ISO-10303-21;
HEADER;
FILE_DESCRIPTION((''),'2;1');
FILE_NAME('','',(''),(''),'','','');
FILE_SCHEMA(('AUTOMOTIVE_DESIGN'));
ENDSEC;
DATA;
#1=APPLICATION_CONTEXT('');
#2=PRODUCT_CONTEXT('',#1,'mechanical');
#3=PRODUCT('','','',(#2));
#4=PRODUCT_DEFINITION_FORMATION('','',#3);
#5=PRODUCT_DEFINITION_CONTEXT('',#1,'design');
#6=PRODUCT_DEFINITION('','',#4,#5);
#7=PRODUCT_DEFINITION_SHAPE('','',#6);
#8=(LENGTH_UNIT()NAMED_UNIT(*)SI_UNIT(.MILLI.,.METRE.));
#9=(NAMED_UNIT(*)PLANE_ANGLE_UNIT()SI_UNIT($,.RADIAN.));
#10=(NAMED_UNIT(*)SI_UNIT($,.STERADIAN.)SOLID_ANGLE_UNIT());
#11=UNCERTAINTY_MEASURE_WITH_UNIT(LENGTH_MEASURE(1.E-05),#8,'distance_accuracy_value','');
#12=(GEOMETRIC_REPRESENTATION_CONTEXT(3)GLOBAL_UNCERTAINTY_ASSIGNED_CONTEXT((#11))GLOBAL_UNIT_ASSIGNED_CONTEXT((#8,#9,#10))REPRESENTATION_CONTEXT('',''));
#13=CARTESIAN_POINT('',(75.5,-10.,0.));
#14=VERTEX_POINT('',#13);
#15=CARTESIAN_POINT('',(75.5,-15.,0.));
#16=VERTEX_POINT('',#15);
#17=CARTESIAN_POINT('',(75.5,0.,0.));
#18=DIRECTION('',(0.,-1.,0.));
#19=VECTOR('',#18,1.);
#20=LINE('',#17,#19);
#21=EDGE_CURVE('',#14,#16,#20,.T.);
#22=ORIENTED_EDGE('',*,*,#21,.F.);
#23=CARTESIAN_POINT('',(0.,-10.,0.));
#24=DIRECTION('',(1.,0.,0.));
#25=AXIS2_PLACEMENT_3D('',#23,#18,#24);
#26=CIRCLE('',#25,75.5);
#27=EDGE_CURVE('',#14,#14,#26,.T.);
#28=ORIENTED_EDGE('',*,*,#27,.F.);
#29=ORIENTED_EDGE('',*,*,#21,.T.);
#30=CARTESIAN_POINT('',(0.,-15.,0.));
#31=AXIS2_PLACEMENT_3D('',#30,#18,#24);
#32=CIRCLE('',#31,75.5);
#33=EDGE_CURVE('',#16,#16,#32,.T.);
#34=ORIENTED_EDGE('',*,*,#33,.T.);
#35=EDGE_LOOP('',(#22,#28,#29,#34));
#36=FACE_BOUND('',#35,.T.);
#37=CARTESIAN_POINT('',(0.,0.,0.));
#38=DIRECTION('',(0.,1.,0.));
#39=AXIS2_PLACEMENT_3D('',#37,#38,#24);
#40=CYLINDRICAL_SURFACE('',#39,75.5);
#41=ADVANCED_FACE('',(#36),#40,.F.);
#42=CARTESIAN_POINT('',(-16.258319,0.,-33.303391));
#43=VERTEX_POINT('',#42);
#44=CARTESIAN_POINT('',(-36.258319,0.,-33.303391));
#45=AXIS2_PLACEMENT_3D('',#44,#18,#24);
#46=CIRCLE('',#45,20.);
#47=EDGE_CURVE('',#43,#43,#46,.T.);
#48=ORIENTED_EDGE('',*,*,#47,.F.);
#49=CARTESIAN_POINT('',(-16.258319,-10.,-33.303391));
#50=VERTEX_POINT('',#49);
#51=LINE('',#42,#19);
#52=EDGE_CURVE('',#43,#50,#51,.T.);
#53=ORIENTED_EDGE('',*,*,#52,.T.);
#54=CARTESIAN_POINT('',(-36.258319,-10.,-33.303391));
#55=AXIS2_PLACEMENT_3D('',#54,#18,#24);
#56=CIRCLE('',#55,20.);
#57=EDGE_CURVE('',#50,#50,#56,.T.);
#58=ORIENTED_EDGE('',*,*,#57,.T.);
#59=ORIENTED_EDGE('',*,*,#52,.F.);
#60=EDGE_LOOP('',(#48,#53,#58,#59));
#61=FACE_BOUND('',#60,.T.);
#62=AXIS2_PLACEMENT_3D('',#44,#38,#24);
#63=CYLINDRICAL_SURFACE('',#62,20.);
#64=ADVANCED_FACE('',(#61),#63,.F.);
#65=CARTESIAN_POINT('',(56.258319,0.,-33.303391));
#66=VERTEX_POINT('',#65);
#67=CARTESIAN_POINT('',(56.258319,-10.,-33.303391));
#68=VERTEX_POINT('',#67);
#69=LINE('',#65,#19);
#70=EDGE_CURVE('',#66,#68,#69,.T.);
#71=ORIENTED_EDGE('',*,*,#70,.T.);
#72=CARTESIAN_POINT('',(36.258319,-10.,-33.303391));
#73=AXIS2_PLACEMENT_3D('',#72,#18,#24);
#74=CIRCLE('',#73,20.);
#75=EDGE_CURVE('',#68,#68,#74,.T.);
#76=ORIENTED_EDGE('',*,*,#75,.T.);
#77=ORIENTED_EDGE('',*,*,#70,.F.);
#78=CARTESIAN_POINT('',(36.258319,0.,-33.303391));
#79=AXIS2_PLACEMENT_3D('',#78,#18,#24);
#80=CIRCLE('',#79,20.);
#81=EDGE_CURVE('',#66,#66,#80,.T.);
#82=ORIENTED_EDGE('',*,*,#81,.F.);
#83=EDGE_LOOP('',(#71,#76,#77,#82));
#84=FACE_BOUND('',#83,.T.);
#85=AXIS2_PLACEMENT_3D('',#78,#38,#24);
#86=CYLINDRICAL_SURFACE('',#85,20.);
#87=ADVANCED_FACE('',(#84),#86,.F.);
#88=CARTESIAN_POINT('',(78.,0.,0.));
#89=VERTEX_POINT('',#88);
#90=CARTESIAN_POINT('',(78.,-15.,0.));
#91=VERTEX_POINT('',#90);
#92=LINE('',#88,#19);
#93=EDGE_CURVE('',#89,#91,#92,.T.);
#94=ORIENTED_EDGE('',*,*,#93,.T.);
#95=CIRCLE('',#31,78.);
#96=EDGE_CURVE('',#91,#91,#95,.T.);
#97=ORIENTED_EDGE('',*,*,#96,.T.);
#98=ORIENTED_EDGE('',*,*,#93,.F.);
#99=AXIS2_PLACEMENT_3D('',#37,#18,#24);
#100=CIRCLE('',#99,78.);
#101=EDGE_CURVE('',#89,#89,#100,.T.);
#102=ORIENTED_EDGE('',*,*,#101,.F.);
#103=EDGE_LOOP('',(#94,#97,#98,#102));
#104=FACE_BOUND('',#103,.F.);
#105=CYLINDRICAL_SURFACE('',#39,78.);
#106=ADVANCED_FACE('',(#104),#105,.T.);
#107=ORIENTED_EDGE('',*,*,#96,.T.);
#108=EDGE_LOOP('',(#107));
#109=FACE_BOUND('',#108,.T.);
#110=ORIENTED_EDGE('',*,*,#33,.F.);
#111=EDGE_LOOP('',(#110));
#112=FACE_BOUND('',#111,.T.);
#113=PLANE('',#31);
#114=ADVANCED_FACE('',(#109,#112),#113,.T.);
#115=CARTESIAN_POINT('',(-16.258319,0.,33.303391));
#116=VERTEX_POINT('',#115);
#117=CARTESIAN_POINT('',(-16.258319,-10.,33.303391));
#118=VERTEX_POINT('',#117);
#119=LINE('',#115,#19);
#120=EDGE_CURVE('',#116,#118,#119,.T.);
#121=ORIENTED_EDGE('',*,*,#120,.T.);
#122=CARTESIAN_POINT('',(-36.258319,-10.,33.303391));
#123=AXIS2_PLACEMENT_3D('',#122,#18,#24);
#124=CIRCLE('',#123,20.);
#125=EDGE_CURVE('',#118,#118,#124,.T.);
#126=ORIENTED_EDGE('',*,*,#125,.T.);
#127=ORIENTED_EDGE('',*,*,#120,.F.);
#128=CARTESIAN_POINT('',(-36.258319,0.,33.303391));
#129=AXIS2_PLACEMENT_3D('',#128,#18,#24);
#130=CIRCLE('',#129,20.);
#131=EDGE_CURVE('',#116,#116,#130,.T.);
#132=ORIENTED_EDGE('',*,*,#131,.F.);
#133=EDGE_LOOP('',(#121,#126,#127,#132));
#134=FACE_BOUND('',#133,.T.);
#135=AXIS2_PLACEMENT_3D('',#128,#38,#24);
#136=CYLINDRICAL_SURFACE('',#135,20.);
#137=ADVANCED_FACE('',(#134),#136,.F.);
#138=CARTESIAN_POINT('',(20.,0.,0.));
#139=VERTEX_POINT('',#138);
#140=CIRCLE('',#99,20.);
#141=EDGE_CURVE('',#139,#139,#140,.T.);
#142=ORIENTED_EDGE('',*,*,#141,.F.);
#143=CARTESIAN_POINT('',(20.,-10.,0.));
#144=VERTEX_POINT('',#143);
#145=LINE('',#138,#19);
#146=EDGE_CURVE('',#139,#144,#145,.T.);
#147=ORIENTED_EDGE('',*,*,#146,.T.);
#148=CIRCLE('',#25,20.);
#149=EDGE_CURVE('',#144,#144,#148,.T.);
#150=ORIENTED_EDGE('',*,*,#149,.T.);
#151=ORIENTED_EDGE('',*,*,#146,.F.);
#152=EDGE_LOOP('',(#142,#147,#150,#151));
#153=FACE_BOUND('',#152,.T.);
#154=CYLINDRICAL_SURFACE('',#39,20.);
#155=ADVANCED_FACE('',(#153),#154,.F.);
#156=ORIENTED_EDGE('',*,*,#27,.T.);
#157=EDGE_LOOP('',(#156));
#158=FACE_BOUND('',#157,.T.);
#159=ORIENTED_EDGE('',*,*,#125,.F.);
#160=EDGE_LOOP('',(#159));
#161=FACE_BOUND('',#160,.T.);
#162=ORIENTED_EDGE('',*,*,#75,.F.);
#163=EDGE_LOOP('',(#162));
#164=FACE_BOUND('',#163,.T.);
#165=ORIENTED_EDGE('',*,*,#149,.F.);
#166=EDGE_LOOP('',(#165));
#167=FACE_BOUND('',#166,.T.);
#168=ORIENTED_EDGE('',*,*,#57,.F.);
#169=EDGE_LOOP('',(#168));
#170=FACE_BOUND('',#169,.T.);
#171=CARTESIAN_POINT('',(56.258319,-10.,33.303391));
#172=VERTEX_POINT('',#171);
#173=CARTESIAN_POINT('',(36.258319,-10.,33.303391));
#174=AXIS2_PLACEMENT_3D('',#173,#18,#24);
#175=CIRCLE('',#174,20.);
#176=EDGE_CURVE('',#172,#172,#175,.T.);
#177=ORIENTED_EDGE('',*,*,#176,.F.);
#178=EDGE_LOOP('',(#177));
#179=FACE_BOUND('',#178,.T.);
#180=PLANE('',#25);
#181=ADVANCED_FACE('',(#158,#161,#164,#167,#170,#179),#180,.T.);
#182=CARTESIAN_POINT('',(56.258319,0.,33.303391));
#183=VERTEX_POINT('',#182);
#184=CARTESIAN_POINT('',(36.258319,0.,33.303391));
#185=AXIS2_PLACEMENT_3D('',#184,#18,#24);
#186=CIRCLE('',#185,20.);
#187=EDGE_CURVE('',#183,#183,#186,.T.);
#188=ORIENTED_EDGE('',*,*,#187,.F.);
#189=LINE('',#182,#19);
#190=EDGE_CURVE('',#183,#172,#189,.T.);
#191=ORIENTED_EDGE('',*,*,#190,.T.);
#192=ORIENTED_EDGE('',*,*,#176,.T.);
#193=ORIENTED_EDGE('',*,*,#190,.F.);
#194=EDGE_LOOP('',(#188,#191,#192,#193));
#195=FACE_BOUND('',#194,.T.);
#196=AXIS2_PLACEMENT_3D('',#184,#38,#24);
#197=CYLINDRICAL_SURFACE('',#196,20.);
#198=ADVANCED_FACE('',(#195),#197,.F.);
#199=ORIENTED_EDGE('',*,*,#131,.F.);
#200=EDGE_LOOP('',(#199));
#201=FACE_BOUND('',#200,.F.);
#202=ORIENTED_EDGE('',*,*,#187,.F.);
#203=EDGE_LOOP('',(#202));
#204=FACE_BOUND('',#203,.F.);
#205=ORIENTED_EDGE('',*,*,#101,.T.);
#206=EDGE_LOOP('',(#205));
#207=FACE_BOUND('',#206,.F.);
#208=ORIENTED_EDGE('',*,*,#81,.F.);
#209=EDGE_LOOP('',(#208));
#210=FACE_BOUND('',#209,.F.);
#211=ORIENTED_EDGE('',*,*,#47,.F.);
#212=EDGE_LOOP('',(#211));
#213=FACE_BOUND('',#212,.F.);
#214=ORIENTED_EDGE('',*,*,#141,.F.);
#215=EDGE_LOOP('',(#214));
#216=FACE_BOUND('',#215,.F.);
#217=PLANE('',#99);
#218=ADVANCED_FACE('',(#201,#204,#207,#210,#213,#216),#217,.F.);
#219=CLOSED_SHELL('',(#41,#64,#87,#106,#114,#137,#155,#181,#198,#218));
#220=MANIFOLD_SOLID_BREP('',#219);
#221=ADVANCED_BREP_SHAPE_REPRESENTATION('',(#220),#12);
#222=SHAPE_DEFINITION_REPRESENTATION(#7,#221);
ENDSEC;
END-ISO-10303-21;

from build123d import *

# Parameters (mm, degrees)
F0_R     = 75.5
F0_R_2   = 20
F1_DEPTH = 10
F0_R_3   = 78
F2_DEPTH = 15


with BuildPart() as f1:
    # F0 (on Front) → F1 (new body)
    with BuildSketch(Plane.XZ):
        Circle(F0_R)
        with Locations((-36.258319, -33.303391)):
            Circle(F0_R_2, mode=Mode.SUBTRACT)
        with Locations((36.258319, -33.303391)):
            Circle(F0_R_2, mode=Mode.SUBTRACT)
        with Locations((-36.258319, 33.303391)):
            Circle(F0_R_2, mode=Mode.SUBTRACT)
        Circle(F0_R_2, mode=Mode.SUBTRACT)
        with Locations((36.258319, 33.303391)):
            Circle(F0_R_2, mode=Mode.SUBTRACT)
    extrude(amount=F1_DEPTH)

    # F0 (on Front) → F2 (join)
    with BuildSketch(Plane.XZ):
        Circle(F0_R_3)
        Circle(F0_R, mode=Mode.SUBTRACT)
    extrude(amount=F2_DEPTH)


solid = f1.part
